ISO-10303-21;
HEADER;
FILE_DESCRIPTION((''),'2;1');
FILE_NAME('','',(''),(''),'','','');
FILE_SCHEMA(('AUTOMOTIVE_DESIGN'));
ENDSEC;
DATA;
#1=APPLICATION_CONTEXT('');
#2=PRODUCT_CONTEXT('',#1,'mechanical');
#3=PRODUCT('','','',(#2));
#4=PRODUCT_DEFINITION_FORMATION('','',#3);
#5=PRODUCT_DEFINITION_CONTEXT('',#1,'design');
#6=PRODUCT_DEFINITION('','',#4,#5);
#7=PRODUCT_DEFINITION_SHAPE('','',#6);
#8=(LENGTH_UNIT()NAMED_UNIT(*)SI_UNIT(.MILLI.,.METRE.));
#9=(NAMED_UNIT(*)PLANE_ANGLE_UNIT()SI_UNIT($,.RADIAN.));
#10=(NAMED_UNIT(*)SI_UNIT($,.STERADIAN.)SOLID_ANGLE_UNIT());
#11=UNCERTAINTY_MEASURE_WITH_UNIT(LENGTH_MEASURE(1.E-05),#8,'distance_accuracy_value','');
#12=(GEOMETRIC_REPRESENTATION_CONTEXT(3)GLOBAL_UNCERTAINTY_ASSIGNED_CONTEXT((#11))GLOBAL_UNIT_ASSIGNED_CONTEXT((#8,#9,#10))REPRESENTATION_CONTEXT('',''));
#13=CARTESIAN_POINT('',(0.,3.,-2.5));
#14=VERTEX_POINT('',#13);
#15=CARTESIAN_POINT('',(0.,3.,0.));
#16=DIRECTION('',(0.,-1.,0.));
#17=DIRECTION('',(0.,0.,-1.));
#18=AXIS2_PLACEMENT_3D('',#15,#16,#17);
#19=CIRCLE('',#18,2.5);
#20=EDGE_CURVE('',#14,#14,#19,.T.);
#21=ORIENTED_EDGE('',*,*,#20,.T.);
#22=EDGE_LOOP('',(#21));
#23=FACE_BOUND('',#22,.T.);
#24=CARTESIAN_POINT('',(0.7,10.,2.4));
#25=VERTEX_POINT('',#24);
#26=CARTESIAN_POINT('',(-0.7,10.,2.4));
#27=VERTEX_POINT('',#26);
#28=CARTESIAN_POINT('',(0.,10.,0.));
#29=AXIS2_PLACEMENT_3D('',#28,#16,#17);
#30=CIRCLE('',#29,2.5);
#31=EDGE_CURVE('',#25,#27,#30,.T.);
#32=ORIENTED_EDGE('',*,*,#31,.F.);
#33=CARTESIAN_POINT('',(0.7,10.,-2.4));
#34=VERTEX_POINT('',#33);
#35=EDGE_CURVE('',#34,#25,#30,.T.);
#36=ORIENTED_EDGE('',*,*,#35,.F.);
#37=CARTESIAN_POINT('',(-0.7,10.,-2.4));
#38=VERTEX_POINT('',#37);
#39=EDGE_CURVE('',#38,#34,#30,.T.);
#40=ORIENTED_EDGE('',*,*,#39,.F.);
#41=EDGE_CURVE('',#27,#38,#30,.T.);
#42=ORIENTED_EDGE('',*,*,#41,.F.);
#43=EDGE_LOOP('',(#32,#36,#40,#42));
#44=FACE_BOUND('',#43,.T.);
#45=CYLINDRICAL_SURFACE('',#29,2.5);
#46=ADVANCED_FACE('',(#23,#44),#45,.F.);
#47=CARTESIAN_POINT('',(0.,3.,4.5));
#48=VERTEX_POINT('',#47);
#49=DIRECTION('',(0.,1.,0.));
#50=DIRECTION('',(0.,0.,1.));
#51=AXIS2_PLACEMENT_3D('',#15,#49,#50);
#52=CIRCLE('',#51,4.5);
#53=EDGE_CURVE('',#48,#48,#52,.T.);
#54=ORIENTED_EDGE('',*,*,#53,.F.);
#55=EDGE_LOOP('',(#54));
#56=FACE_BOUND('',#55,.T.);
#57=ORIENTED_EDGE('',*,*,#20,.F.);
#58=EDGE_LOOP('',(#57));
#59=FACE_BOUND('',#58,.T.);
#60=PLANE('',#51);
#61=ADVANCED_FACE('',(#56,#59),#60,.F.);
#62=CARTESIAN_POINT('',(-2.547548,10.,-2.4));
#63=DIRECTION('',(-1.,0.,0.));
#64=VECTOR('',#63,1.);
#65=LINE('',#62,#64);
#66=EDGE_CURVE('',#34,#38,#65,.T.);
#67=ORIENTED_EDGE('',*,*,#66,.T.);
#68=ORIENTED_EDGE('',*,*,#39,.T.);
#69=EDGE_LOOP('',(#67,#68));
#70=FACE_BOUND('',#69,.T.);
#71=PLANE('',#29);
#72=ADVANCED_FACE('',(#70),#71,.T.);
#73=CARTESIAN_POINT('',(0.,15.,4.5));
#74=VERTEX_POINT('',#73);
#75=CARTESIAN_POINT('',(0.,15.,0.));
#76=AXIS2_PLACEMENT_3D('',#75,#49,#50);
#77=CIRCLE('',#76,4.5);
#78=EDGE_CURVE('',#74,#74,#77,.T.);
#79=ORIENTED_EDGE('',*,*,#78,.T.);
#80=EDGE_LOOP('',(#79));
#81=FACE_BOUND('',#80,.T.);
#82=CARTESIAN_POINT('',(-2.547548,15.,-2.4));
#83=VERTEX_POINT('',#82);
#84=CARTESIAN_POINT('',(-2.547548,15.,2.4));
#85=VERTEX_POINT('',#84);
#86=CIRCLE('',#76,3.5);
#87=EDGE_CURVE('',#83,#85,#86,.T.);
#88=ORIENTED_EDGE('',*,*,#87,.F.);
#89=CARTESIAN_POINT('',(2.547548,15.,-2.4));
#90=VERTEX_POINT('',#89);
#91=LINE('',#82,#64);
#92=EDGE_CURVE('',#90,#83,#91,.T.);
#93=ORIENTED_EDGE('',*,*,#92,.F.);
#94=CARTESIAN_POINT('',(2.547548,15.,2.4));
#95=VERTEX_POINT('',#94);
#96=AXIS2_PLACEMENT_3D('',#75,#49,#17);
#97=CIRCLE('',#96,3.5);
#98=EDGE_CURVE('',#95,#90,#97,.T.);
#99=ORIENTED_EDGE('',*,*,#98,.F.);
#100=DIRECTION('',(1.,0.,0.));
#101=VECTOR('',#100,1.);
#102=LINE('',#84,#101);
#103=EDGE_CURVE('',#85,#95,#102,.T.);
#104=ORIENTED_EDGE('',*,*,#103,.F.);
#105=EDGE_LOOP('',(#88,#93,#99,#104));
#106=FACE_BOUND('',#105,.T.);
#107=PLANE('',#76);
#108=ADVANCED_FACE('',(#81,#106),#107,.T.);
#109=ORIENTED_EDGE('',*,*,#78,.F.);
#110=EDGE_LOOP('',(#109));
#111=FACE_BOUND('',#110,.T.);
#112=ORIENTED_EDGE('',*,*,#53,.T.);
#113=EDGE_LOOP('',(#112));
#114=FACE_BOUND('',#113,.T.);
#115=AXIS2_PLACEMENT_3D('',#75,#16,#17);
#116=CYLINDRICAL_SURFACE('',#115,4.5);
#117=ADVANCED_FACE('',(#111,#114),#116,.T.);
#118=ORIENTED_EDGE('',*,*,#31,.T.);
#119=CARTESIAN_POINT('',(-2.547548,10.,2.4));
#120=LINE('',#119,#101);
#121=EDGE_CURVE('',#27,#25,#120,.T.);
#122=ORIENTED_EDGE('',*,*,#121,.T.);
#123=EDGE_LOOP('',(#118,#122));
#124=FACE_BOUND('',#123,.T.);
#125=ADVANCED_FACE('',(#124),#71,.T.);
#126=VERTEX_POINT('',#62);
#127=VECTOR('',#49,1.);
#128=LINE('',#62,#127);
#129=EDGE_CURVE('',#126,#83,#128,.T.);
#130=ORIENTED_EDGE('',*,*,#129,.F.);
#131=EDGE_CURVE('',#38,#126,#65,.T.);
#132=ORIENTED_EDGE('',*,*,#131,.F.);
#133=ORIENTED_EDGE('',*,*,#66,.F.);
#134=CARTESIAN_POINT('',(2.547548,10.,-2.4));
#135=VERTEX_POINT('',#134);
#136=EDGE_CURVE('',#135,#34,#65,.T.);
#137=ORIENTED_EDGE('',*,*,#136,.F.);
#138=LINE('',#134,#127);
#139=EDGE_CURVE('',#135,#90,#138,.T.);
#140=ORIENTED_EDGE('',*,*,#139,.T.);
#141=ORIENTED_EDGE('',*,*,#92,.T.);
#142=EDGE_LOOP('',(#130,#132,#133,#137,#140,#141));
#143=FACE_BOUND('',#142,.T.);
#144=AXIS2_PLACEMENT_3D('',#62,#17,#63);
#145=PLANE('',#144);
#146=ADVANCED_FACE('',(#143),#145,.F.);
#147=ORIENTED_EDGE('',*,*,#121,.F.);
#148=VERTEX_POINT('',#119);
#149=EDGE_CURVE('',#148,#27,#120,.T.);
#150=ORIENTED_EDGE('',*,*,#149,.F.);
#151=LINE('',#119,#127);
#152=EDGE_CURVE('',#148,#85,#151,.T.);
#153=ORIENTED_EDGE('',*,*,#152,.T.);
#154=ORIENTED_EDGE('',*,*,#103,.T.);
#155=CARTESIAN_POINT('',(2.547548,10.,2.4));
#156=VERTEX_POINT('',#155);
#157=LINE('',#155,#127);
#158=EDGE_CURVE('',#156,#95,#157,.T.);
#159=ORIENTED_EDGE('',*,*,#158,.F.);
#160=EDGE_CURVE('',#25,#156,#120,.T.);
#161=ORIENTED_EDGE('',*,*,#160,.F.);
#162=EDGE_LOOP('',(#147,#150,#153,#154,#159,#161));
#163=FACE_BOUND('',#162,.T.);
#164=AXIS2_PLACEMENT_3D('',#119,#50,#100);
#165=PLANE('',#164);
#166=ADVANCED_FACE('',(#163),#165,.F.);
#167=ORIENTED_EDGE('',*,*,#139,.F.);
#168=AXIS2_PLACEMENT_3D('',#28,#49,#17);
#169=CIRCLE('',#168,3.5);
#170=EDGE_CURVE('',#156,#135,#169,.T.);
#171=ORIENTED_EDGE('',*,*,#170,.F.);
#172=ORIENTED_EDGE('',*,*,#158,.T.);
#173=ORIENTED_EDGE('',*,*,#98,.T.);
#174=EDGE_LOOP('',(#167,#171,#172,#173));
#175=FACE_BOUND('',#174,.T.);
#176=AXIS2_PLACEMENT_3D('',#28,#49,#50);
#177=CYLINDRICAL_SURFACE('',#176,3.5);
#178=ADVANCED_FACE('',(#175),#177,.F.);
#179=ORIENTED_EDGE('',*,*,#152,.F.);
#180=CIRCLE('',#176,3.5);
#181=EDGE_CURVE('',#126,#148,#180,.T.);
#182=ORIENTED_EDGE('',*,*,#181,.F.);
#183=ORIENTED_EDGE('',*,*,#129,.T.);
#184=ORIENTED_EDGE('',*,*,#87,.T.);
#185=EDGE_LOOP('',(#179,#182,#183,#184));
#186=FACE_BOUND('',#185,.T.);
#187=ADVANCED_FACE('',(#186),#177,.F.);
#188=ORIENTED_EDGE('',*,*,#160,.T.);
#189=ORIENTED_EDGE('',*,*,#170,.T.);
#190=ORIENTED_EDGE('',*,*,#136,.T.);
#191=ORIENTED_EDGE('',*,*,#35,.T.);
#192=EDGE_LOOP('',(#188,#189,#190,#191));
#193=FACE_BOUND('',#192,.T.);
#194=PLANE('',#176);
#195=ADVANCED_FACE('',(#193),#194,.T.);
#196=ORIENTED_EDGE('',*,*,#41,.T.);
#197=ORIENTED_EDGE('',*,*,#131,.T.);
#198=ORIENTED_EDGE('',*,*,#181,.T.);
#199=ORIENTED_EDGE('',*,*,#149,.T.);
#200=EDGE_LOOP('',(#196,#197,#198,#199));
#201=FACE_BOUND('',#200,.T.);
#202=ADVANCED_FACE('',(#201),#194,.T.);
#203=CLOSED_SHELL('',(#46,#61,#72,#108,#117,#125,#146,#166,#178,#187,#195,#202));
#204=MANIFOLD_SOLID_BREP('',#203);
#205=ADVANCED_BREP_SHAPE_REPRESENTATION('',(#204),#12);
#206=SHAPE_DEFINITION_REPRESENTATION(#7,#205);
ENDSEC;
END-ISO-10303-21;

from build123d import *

# Parameters (mm, degrees)
EXTRUDE_START       = 3
SKETCH_1_R          = 4.5
EXTRUDE_1_DEPTH     = 12
CUT_EXTRUDE_3_DEPTH = 5
SKETCH_3_R          = 2.5
CUT_EXTRUDE_4_DEPTH = 7


with BuildPart() as part:
    # Эскиз1 → Вытянуть1 (new body)
    with BuildSketch(Plane(origin=(0, 0, 0), x_dir=(1, 0, 0), z_dir=(0, 1, 0)).offset(EXTRUDE_START)):
        with Locations(Location((0, 0, 0), (0, 0, 270))):
            Circle(SKETCH_1_R)
    extrude(amount=EXTRUDE_1_DEPTH)

    # Эскиз2 → Вытянуть3 (cut)
    with BuildSketch(Plane(origin=(0, 15, 0), x_dir=(1, 0, 0), z_dir=(0, 1, 0))):
        with BuildLine():
            Line((-2.547547841, 2.4), (2.547547841, 2.4))
            ThreePointArc((2.547547841, 2.4), (3.5, 0), (2.547547841, -2.4))
            Line((2.547547841, -2.4), (-2.547547841, -2.4))
            ThreePointArc((-2.547547841, -2.4), (-3.5, 0), (-2.547547841, 2.4))
        make_face()
    extrude(amount=-CUT_EXTRUDE_3_DEPTH, mode=Mode.SUBTRACT)

    # Эскиз3 → Вытянуть4 (cut)
    with BuildSketch(Plane.XZ.offset(-3)):
        with Locations(Location((0, 0, 0), (0, 0, 270))):
            Circle(SKETCH_3_R)
    extrude(amount=-CUT_EXTRUDE_4_DEPTH, mode=Mode.SUBTRACT)


solid = part.part
